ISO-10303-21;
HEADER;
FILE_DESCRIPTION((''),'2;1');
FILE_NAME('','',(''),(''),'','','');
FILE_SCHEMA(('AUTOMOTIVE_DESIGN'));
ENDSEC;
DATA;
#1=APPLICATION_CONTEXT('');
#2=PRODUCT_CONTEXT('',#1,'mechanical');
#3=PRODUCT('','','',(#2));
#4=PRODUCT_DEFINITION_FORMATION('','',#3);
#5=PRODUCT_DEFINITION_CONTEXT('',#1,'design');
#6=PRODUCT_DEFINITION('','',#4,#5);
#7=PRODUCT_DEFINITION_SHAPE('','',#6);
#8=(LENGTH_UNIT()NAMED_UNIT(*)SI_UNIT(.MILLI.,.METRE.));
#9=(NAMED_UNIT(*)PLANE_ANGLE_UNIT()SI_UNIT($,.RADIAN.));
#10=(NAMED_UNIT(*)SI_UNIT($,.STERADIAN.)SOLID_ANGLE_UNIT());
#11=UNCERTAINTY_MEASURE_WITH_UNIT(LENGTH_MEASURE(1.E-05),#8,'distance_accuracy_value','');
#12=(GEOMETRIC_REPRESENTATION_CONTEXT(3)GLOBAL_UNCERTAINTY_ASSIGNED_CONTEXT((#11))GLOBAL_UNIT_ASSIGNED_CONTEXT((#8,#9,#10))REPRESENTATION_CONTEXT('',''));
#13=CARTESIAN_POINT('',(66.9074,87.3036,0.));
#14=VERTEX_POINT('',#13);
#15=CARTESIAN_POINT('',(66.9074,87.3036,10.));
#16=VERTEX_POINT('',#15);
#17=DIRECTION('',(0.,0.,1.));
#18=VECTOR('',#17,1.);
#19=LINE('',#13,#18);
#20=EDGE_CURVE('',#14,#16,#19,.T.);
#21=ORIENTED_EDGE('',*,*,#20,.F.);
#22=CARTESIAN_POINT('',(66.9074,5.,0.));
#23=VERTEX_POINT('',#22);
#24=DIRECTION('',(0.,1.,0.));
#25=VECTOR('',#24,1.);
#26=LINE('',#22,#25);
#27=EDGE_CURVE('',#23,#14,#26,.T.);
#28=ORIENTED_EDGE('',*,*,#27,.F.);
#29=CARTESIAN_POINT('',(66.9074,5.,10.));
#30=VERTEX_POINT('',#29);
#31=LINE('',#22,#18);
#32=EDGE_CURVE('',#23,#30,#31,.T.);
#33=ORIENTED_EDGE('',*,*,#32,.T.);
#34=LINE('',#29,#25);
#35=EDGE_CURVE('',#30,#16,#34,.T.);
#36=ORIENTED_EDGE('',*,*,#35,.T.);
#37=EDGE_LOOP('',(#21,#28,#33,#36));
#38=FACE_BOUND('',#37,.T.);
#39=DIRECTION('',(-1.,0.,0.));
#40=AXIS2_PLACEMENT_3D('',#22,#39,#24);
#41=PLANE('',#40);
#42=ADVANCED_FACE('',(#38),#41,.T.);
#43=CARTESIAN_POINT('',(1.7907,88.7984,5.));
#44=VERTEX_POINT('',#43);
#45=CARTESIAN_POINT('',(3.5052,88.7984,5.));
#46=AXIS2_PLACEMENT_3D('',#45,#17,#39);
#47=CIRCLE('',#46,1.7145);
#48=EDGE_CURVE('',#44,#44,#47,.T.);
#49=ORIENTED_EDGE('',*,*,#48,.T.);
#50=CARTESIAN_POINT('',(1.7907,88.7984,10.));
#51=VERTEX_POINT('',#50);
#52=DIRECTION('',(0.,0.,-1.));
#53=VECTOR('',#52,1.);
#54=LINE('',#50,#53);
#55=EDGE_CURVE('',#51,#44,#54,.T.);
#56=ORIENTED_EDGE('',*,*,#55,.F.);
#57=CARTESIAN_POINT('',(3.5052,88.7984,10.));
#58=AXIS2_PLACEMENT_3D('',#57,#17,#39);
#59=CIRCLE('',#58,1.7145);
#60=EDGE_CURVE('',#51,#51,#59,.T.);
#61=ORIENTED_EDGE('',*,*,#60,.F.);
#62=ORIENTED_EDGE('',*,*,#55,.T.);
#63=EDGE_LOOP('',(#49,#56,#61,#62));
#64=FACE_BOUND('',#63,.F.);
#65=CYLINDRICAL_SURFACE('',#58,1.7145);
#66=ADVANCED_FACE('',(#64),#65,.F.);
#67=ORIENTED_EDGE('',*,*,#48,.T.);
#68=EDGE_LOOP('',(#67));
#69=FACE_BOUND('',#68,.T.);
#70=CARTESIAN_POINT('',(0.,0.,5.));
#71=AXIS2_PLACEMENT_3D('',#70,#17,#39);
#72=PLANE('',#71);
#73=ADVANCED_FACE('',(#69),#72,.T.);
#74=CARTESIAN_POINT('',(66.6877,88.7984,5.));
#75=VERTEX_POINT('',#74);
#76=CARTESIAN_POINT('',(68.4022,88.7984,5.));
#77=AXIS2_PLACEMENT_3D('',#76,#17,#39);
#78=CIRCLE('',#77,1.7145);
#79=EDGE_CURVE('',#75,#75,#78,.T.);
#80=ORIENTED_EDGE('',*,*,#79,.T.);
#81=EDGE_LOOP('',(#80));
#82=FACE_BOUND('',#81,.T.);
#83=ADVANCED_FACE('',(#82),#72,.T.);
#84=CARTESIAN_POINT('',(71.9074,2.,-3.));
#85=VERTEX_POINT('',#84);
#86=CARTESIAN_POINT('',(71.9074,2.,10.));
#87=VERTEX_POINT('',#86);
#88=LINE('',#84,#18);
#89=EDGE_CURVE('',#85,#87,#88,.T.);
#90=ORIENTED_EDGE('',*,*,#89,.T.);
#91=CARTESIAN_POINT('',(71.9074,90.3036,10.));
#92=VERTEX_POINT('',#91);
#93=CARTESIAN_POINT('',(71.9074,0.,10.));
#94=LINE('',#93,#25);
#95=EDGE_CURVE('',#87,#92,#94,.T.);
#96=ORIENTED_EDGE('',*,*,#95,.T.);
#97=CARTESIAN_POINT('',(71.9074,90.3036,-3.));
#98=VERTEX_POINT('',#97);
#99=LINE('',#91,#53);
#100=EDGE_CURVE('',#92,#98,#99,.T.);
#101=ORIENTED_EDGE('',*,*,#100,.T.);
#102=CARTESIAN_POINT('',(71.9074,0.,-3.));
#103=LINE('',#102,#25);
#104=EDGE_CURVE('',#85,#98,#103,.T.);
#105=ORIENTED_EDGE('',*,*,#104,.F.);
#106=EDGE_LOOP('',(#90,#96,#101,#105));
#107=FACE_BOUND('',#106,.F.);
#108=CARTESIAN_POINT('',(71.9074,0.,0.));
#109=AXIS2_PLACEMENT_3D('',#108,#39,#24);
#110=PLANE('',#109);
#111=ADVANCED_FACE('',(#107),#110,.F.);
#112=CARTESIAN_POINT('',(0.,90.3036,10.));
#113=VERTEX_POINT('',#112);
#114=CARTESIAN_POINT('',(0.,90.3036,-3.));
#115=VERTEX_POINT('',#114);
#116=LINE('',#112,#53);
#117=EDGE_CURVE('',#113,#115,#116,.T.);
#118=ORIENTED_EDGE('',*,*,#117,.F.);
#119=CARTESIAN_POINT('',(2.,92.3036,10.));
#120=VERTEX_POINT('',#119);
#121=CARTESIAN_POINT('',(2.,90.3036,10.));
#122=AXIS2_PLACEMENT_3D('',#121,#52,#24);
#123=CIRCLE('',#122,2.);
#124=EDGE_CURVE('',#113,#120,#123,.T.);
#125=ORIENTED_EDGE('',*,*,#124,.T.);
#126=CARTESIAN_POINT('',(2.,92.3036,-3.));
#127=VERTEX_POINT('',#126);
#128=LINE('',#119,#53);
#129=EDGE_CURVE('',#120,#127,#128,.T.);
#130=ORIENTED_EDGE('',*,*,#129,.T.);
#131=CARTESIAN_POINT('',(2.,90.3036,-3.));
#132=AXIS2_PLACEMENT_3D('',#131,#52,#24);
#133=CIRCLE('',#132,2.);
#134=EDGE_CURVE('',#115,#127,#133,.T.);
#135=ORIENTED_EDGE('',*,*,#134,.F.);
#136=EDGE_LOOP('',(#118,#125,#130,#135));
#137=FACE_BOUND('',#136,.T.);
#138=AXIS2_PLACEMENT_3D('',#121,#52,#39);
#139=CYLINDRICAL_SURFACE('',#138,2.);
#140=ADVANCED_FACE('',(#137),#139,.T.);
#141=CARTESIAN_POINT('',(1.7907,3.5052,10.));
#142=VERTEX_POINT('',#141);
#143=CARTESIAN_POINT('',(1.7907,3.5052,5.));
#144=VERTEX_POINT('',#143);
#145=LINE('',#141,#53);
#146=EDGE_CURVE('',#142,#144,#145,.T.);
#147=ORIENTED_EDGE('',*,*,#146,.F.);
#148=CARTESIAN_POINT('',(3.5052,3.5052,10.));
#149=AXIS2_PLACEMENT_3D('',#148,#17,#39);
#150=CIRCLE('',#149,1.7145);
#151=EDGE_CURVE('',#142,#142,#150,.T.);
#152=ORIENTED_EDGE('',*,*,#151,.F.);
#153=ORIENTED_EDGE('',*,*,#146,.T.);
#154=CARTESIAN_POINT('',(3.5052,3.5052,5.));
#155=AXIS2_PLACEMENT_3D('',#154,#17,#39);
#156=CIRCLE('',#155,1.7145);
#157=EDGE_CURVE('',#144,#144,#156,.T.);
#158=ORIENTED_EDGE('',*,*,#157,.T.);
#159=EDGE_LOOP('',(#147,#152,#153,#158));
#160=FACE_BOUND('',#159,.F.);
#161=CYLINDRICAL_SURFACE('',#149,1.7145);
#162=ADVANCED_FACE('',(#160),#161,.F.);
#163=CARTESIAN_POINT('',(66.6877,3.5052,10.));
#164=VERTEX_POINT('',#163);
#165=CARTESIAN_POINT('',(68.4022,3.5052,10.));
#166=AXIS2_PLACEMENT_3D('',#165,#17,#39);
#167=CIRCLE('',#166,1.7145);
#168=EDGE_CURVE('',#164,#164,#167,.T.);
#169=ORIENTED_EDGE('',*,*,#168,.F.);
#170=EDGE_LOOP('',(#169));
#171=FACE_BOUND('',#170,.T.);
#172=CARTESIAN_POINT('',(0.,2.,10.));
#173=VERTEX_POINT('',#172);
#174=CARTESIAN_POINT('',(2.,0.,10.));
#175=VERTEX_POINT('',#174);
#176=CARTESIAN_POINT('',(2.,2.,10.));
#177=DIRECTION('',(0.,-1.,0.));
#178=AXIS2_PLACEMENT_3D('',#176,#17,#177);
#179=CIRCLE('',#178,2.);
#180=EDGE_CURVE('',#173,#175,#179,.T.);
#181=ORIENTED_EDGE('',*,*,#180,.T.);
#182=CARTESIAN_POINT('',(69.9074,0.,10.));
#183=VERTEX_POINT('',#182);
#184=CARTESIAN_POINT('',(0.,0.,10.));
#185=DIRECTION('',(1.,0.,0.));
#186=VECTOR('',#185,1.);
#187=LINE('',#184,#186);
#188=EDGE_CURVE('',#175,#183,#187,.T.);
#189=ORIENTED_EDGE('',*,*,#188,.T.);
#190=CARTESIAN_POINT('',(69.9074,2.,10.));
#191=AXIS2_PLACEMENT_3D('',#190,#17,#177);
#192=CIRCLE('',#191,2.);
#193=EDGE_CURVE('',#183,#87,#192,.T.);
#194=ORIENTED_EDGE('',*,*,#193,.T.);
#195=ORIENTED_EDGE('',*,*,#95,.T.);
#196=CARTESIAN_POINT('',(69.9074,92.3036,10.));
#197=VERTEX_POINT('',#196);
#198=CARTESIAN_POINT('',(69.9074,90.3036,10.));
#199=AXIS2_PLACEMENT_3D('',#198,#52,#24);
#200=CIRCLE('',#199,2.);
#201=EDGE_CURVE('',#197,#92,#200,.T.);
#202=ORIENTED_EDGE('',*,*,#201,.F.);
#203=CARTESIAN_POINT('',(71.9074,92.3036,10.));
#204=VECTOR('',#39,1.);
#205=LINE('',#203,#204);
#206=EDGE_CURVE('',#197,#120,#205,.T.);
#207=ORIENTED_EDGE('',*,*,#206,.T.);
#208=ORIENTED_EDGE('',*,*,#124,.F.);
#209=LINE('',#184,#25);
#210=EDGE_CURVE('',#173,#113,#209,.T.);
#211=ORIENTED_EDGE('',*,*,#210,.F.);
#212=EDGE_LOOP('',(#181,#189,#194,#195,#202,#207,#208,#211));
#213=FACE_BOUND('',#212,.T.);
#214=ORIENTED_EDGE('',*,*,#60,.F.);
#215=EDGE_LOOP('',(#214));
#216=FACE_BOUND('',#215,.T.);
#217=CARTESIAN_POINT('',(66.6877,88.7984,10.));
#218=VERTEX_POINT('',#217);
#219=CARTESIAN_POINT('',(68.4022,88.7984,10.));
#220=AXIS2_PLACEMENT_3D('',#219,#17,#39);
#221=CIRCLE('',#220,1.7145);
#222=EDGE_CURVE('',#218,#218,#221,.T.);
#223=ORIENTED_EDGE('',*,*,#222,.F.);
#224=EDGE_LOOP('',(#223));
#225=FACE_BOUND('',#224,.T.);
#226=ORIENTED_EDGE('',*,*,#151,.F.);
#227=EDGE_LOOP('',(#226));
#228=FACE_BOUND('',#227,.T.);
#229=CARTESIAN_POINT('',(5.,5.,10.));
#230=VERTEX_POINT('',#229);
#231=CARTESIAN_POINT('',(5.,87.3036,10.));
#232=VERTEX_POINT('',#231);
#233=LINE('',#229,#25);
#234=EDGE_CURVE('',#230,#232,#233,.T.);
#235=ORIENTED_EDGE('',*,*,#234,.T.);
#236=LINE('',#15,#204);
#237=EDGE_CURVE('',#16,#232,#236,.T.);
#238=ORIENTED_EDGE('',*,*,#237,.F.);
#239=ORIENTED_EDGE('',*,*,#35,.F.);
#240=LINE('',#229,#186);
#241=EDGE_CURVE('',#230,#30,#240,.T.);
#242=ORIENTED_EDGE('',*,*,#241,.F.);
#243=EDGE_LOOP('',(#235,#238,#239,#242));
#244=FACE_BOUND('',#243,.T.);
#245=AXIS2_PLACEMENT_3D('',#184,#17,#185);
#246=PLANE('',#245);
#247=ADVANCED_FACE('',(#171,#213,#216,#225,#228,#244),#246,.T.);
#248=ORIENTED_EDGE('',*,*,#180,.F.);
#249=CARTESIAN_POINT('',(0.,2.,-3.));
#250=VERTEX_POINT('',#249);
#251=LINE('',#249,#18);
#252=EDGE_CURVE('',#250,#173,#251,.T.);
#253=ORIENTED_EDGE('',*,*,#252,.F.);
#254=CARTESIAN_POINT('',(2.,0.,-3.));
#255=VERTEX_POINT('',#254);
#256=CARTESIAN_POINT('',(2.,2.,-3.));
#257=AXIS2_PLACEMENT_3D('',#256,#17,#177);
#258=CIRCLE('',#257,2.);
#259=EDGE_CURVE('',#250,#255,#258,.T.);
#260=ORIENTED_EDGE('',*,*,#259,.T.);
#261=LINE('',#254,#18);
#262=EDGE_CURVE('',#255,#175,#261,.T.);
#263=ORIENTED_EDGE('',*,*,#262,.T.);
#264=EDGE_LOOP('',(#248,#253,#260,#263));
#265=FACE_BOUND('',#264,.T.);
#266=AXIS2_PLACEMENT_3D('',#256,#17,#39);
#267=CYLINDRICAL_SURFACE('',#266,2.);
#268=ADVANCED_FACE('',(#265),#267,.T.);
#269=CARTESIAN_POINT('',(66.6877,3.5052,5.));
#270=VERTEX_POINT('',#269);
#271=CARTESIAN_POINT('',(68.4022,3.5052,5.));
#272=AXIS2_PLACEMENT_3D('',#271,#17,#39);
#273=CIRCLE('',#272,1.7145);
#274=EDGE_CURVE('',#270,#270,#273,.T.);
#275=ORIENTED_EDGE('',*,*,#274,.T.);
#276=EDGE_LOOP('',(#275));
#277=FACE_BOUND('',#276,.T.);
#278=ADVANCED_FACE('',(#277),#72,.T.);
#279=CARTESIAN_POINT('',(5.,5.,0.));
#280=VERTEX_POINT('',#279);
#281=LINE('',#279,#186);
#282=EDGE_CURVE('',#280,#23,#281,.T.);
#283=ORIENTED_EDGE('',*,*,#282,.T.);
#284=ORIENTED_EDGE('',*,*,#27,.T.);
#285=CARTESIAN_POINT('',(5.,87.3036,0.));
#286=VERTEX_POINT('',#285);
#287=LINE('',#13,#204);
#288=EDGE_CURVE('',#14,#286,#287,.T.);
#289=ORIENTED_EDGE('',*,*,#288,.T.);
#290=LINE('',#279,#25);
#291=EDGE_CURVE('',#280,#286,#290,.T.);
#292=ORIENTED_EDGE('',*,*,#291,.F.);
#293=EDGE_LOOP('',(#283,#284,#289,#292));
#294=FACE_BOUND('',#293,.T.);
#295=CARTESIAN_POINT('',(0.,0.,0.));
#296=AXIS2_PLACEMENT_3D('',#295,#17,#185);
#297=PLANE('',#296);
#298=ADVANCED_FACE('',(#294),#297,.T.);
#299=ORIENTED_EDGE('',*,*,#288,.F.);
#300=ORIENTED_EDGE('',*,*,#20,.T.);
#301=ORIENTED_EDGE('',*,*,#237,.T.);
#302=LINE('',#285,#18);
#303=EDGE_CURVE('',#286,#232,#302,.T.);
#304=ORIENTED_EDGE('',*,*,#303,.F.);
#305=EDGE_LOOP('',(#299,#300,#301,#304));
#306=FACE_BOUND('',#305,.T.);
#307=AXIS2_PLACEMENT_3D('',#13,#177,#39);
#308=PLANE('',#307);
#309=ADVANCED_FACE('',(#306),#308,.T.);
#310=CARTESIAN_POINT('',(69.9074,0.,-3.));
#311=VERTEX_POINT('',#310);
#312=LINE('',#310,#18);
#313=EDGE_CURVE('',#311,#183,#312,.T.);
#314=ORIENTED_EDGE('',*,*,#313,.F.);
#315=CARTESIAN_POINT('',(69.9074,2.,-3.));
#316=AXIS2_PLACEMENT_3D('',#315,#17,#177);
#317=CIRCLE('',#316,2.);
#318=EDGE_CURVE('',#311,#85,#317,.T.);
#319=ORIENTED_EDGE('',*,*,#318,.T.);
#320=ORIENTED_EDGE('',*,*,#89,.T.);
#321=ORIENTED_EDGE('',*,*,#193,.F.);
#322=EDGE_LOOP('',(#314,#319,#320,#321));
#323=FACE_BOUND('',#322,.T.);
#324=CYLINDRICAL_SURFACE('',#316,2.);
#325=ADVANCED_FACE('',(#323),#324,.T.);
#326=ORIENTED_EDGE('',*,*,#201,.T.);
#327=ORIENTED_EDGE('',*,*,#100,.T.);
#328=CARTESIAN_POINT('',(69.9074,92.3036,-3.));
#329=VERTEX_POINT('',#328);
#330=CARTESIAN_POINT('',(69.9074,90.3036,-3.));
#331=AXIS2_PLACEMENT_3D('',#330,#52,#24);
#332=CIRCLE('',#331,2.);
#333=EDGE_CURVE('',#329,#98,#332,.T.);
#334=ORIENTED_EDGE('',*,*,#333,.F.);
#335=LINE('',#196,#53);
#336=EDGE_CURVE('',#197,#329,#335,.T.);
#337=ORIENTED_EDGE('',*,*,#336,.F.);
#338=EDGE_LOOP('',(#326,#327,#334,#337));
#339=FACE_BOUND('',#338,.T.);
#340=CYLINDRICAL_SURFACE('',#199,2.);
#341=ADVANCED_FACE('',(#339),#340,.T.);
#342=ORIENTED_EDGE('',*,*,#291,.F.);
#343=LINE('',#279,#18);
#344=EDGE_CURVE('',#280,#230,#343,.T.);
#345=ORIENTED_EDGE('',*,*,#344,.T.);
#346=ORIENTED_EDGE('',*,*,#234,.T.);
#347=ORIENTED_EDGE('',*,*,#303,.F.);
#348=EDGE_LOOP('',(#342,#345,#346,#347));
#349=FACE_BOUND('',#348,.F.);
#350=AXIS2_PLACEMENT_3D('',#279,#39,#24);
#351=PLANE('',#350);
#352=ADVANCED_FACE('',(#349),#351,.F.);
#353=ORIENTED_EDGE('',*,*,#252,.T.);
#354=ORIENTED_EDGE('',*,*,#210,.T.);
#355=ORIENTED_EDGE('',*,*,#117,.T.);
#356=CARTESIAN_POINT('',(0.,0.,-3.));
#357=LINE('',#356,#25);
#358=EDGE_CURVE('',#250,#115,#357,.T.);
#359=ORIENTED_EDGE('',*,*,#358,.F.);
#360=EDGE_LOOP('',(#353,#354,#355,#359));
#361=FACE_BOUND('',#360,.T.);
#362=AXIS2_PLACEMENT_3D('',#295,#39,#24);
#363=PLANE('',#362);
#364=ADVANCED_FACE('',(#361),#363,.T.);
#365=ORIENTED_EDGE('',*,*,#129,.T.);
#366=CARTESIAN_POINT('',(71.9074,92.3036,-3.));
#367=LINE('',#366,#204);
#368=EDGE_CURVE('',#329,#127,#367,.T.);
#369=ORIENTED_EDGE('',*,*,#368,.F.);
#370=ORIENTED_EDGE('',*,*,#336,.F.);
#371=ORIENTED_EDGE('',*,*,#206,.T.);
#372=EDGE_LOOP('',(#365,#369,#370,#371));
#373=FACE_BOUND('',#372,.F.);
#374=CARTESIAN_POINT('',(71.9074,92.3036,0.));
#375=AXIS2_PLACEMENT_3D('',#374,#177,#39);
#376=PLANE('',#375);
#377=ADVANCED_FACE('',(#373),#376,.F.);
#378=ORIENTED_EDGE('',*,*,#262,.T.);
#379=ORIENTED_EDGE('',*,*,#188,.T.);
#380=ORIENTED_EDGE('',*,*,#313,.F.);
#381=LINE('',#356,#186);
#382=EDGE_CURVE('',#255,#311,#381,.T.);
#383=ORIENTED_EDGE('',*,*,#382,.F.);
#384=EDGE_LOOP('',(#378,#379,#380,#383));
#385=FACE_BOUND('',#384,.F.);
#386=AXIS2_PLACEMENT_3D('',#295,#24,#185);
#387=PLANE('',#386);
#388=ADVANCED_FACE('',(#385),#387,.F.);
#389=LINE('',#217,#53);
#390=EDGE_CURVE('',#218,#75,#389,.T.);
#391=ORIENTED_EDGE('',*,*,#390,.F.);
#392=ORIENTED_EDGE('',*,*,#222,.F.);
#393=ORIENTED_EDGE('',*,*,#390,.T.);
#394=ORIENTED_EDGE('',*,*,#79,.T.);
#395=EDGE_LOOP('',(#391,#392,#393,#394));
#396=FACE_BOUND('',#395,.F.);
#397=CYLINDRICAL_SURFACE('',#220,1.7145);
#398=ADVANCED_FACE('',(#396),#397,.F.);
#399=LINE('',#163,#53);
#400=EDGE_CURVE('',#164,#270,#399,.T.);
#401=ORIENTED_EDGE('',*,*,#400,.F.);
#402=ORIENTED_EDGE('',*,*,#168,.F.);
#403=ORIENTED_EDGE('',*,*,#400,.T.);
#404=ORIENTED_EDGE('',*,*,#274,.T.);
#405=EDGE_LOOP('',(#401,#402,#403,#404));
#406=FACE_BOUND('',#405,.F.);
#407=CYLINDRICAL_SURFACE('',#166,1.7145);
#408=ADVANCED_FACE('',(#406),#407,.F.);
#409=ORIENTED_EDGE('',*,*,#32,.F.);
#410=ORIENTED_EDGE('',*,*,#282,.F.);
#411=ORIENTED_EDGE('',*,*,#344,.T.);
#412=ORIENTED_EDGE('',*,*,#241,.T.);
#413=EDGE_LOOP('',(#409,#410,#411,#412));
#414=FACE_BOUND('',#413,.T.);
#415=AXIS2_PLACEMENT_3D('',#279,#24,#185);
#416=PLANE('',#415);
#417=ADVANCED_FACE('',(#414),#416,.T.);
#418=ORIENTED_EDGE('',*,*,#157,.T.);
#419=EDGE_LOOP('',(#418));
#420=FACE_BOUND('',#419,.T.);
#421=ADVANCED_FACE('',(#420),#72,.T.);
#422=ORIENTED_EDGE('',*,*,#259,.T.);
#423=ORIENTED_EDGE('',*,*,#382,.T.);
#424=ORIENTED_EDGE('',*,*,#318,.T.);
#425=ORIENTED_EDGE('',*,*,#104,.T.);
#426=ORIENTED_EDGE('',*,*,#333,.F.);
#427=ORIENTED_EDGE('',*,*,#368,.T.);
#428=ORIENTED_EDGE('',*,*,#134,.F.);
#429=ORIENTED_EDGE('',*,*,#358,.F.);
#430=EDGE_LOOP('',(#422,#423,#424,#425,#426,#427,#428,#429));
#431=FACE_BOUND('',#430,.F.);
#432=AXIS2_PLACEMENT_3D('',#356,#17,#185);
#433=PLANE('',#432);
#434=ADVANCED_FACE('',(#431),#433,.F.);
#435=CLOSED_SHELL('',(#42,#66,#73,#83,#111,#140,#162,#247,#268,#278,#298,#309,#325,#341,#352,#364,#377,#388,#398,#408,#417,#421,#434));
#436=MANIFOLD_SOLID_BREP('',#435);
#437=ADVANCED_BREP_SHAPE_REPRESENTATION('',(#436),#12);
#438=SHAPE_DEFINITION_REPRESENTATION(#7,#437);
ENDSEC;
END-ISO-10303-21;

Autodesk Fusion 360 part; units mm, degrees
sketch "Sketch1" plane through (0, 0, 0) normal (0, 0, 1) x (1, 0, 0)
  line L0 (0, 0) -> (0, 92.3036)
  line L1 (0, 0) -> (71.9074, 0)
  line L2 (71.9074, 0) -> (71.9074, 92.3036)
  line L3 (71.9074, 92.3036) -> (0, 92.3036)
  line L4 (5, 5) -> (66.9074, 5)
  line L5 (66.9074, 5) -> (66.9074, 87.3036)
  line L6 (66.9074, 87.3036) -> (5, 87.3036)
  line L7 (5, 5) -> (5, 87.3036)
  dimension "d1" = 92.3036
  dimension "d2" = 71.9074
  dimension "d3" = 5
extrude "Extrude1" add sketch "Sketch1" against normal blind 3 contours L0 L1 L2 L3 | L4 L5 L6 L7
extrude "Extrude2" add sketch "Sketch1" along normal blind 10
fillet "Fillet1" radius 2 4 edges at (71.9074, 0, 3.5) (0, 0, 3.5) (0, 92.3036, 3.5) (71.9074, 92.3036, 3.5)
sketch "Sketch2" plane through (0, 0, 10) normal (0, 0, 1) x (-1, 0, 0)
  line L0 (-66.9074, -87.3036) -> (-66.9074, -5)
  line L1 (-66.9074, -5) -> (-5, -5)
  line L2 (-5, -5) -> (-5, -87.3036)
  line L3 (-5, -87.3036) -> (-66.9074, -87.3036)
  arc A0 (-71.9074, -90.3036) -> (-69.9074, -92.3036) centre (-69.9074, -90.3036) ccw
  line L4 (-69.9074, -92.3036) -> (-2, -92.3036)
  arc A1 (-2, -92.3036) -> (0, -90.3036) centre (-2, -90.3036) ccw
  line L5 (0, -90.3036) -> (0, -2)
  arc A2 (0, -2) -> (-2, 0) centre (-2, -2) ccw
  line L6 (-2, 0) -> (-69.9074, 0)
  arc A3 (-69.9074, 0) -> (-71.9074, -2) centre (-69.9074, -2) ccw
  line L7 (-71.9074, -2) -> (-71.9074, -90.3036)
  circle A4 centre (-68.4022, -3.5052) radius 1.7145
  line L8 (-35.9537, -92.3036) -> (-35.9537, 0)
  circle A5 centre (-3.5052, -3.5052) radius 1.7145
  line L9 (-67.4347, -46.1518) -> (-71.9074, -46.1518)
  line L10 (-67.4347, -46.1518) -> (0, -46.1518)
  circle A6 centre (-68.4022, -88.7984) radius 1.7145
  circle A7 centre (-3.5052, -88.7984) radius 1.7145
  dimension "d12" = 3.429
extrude "Extrude3" cut sketch "Sketch2" against normal blind 5 contours A4 | A5 | A6 | A7
